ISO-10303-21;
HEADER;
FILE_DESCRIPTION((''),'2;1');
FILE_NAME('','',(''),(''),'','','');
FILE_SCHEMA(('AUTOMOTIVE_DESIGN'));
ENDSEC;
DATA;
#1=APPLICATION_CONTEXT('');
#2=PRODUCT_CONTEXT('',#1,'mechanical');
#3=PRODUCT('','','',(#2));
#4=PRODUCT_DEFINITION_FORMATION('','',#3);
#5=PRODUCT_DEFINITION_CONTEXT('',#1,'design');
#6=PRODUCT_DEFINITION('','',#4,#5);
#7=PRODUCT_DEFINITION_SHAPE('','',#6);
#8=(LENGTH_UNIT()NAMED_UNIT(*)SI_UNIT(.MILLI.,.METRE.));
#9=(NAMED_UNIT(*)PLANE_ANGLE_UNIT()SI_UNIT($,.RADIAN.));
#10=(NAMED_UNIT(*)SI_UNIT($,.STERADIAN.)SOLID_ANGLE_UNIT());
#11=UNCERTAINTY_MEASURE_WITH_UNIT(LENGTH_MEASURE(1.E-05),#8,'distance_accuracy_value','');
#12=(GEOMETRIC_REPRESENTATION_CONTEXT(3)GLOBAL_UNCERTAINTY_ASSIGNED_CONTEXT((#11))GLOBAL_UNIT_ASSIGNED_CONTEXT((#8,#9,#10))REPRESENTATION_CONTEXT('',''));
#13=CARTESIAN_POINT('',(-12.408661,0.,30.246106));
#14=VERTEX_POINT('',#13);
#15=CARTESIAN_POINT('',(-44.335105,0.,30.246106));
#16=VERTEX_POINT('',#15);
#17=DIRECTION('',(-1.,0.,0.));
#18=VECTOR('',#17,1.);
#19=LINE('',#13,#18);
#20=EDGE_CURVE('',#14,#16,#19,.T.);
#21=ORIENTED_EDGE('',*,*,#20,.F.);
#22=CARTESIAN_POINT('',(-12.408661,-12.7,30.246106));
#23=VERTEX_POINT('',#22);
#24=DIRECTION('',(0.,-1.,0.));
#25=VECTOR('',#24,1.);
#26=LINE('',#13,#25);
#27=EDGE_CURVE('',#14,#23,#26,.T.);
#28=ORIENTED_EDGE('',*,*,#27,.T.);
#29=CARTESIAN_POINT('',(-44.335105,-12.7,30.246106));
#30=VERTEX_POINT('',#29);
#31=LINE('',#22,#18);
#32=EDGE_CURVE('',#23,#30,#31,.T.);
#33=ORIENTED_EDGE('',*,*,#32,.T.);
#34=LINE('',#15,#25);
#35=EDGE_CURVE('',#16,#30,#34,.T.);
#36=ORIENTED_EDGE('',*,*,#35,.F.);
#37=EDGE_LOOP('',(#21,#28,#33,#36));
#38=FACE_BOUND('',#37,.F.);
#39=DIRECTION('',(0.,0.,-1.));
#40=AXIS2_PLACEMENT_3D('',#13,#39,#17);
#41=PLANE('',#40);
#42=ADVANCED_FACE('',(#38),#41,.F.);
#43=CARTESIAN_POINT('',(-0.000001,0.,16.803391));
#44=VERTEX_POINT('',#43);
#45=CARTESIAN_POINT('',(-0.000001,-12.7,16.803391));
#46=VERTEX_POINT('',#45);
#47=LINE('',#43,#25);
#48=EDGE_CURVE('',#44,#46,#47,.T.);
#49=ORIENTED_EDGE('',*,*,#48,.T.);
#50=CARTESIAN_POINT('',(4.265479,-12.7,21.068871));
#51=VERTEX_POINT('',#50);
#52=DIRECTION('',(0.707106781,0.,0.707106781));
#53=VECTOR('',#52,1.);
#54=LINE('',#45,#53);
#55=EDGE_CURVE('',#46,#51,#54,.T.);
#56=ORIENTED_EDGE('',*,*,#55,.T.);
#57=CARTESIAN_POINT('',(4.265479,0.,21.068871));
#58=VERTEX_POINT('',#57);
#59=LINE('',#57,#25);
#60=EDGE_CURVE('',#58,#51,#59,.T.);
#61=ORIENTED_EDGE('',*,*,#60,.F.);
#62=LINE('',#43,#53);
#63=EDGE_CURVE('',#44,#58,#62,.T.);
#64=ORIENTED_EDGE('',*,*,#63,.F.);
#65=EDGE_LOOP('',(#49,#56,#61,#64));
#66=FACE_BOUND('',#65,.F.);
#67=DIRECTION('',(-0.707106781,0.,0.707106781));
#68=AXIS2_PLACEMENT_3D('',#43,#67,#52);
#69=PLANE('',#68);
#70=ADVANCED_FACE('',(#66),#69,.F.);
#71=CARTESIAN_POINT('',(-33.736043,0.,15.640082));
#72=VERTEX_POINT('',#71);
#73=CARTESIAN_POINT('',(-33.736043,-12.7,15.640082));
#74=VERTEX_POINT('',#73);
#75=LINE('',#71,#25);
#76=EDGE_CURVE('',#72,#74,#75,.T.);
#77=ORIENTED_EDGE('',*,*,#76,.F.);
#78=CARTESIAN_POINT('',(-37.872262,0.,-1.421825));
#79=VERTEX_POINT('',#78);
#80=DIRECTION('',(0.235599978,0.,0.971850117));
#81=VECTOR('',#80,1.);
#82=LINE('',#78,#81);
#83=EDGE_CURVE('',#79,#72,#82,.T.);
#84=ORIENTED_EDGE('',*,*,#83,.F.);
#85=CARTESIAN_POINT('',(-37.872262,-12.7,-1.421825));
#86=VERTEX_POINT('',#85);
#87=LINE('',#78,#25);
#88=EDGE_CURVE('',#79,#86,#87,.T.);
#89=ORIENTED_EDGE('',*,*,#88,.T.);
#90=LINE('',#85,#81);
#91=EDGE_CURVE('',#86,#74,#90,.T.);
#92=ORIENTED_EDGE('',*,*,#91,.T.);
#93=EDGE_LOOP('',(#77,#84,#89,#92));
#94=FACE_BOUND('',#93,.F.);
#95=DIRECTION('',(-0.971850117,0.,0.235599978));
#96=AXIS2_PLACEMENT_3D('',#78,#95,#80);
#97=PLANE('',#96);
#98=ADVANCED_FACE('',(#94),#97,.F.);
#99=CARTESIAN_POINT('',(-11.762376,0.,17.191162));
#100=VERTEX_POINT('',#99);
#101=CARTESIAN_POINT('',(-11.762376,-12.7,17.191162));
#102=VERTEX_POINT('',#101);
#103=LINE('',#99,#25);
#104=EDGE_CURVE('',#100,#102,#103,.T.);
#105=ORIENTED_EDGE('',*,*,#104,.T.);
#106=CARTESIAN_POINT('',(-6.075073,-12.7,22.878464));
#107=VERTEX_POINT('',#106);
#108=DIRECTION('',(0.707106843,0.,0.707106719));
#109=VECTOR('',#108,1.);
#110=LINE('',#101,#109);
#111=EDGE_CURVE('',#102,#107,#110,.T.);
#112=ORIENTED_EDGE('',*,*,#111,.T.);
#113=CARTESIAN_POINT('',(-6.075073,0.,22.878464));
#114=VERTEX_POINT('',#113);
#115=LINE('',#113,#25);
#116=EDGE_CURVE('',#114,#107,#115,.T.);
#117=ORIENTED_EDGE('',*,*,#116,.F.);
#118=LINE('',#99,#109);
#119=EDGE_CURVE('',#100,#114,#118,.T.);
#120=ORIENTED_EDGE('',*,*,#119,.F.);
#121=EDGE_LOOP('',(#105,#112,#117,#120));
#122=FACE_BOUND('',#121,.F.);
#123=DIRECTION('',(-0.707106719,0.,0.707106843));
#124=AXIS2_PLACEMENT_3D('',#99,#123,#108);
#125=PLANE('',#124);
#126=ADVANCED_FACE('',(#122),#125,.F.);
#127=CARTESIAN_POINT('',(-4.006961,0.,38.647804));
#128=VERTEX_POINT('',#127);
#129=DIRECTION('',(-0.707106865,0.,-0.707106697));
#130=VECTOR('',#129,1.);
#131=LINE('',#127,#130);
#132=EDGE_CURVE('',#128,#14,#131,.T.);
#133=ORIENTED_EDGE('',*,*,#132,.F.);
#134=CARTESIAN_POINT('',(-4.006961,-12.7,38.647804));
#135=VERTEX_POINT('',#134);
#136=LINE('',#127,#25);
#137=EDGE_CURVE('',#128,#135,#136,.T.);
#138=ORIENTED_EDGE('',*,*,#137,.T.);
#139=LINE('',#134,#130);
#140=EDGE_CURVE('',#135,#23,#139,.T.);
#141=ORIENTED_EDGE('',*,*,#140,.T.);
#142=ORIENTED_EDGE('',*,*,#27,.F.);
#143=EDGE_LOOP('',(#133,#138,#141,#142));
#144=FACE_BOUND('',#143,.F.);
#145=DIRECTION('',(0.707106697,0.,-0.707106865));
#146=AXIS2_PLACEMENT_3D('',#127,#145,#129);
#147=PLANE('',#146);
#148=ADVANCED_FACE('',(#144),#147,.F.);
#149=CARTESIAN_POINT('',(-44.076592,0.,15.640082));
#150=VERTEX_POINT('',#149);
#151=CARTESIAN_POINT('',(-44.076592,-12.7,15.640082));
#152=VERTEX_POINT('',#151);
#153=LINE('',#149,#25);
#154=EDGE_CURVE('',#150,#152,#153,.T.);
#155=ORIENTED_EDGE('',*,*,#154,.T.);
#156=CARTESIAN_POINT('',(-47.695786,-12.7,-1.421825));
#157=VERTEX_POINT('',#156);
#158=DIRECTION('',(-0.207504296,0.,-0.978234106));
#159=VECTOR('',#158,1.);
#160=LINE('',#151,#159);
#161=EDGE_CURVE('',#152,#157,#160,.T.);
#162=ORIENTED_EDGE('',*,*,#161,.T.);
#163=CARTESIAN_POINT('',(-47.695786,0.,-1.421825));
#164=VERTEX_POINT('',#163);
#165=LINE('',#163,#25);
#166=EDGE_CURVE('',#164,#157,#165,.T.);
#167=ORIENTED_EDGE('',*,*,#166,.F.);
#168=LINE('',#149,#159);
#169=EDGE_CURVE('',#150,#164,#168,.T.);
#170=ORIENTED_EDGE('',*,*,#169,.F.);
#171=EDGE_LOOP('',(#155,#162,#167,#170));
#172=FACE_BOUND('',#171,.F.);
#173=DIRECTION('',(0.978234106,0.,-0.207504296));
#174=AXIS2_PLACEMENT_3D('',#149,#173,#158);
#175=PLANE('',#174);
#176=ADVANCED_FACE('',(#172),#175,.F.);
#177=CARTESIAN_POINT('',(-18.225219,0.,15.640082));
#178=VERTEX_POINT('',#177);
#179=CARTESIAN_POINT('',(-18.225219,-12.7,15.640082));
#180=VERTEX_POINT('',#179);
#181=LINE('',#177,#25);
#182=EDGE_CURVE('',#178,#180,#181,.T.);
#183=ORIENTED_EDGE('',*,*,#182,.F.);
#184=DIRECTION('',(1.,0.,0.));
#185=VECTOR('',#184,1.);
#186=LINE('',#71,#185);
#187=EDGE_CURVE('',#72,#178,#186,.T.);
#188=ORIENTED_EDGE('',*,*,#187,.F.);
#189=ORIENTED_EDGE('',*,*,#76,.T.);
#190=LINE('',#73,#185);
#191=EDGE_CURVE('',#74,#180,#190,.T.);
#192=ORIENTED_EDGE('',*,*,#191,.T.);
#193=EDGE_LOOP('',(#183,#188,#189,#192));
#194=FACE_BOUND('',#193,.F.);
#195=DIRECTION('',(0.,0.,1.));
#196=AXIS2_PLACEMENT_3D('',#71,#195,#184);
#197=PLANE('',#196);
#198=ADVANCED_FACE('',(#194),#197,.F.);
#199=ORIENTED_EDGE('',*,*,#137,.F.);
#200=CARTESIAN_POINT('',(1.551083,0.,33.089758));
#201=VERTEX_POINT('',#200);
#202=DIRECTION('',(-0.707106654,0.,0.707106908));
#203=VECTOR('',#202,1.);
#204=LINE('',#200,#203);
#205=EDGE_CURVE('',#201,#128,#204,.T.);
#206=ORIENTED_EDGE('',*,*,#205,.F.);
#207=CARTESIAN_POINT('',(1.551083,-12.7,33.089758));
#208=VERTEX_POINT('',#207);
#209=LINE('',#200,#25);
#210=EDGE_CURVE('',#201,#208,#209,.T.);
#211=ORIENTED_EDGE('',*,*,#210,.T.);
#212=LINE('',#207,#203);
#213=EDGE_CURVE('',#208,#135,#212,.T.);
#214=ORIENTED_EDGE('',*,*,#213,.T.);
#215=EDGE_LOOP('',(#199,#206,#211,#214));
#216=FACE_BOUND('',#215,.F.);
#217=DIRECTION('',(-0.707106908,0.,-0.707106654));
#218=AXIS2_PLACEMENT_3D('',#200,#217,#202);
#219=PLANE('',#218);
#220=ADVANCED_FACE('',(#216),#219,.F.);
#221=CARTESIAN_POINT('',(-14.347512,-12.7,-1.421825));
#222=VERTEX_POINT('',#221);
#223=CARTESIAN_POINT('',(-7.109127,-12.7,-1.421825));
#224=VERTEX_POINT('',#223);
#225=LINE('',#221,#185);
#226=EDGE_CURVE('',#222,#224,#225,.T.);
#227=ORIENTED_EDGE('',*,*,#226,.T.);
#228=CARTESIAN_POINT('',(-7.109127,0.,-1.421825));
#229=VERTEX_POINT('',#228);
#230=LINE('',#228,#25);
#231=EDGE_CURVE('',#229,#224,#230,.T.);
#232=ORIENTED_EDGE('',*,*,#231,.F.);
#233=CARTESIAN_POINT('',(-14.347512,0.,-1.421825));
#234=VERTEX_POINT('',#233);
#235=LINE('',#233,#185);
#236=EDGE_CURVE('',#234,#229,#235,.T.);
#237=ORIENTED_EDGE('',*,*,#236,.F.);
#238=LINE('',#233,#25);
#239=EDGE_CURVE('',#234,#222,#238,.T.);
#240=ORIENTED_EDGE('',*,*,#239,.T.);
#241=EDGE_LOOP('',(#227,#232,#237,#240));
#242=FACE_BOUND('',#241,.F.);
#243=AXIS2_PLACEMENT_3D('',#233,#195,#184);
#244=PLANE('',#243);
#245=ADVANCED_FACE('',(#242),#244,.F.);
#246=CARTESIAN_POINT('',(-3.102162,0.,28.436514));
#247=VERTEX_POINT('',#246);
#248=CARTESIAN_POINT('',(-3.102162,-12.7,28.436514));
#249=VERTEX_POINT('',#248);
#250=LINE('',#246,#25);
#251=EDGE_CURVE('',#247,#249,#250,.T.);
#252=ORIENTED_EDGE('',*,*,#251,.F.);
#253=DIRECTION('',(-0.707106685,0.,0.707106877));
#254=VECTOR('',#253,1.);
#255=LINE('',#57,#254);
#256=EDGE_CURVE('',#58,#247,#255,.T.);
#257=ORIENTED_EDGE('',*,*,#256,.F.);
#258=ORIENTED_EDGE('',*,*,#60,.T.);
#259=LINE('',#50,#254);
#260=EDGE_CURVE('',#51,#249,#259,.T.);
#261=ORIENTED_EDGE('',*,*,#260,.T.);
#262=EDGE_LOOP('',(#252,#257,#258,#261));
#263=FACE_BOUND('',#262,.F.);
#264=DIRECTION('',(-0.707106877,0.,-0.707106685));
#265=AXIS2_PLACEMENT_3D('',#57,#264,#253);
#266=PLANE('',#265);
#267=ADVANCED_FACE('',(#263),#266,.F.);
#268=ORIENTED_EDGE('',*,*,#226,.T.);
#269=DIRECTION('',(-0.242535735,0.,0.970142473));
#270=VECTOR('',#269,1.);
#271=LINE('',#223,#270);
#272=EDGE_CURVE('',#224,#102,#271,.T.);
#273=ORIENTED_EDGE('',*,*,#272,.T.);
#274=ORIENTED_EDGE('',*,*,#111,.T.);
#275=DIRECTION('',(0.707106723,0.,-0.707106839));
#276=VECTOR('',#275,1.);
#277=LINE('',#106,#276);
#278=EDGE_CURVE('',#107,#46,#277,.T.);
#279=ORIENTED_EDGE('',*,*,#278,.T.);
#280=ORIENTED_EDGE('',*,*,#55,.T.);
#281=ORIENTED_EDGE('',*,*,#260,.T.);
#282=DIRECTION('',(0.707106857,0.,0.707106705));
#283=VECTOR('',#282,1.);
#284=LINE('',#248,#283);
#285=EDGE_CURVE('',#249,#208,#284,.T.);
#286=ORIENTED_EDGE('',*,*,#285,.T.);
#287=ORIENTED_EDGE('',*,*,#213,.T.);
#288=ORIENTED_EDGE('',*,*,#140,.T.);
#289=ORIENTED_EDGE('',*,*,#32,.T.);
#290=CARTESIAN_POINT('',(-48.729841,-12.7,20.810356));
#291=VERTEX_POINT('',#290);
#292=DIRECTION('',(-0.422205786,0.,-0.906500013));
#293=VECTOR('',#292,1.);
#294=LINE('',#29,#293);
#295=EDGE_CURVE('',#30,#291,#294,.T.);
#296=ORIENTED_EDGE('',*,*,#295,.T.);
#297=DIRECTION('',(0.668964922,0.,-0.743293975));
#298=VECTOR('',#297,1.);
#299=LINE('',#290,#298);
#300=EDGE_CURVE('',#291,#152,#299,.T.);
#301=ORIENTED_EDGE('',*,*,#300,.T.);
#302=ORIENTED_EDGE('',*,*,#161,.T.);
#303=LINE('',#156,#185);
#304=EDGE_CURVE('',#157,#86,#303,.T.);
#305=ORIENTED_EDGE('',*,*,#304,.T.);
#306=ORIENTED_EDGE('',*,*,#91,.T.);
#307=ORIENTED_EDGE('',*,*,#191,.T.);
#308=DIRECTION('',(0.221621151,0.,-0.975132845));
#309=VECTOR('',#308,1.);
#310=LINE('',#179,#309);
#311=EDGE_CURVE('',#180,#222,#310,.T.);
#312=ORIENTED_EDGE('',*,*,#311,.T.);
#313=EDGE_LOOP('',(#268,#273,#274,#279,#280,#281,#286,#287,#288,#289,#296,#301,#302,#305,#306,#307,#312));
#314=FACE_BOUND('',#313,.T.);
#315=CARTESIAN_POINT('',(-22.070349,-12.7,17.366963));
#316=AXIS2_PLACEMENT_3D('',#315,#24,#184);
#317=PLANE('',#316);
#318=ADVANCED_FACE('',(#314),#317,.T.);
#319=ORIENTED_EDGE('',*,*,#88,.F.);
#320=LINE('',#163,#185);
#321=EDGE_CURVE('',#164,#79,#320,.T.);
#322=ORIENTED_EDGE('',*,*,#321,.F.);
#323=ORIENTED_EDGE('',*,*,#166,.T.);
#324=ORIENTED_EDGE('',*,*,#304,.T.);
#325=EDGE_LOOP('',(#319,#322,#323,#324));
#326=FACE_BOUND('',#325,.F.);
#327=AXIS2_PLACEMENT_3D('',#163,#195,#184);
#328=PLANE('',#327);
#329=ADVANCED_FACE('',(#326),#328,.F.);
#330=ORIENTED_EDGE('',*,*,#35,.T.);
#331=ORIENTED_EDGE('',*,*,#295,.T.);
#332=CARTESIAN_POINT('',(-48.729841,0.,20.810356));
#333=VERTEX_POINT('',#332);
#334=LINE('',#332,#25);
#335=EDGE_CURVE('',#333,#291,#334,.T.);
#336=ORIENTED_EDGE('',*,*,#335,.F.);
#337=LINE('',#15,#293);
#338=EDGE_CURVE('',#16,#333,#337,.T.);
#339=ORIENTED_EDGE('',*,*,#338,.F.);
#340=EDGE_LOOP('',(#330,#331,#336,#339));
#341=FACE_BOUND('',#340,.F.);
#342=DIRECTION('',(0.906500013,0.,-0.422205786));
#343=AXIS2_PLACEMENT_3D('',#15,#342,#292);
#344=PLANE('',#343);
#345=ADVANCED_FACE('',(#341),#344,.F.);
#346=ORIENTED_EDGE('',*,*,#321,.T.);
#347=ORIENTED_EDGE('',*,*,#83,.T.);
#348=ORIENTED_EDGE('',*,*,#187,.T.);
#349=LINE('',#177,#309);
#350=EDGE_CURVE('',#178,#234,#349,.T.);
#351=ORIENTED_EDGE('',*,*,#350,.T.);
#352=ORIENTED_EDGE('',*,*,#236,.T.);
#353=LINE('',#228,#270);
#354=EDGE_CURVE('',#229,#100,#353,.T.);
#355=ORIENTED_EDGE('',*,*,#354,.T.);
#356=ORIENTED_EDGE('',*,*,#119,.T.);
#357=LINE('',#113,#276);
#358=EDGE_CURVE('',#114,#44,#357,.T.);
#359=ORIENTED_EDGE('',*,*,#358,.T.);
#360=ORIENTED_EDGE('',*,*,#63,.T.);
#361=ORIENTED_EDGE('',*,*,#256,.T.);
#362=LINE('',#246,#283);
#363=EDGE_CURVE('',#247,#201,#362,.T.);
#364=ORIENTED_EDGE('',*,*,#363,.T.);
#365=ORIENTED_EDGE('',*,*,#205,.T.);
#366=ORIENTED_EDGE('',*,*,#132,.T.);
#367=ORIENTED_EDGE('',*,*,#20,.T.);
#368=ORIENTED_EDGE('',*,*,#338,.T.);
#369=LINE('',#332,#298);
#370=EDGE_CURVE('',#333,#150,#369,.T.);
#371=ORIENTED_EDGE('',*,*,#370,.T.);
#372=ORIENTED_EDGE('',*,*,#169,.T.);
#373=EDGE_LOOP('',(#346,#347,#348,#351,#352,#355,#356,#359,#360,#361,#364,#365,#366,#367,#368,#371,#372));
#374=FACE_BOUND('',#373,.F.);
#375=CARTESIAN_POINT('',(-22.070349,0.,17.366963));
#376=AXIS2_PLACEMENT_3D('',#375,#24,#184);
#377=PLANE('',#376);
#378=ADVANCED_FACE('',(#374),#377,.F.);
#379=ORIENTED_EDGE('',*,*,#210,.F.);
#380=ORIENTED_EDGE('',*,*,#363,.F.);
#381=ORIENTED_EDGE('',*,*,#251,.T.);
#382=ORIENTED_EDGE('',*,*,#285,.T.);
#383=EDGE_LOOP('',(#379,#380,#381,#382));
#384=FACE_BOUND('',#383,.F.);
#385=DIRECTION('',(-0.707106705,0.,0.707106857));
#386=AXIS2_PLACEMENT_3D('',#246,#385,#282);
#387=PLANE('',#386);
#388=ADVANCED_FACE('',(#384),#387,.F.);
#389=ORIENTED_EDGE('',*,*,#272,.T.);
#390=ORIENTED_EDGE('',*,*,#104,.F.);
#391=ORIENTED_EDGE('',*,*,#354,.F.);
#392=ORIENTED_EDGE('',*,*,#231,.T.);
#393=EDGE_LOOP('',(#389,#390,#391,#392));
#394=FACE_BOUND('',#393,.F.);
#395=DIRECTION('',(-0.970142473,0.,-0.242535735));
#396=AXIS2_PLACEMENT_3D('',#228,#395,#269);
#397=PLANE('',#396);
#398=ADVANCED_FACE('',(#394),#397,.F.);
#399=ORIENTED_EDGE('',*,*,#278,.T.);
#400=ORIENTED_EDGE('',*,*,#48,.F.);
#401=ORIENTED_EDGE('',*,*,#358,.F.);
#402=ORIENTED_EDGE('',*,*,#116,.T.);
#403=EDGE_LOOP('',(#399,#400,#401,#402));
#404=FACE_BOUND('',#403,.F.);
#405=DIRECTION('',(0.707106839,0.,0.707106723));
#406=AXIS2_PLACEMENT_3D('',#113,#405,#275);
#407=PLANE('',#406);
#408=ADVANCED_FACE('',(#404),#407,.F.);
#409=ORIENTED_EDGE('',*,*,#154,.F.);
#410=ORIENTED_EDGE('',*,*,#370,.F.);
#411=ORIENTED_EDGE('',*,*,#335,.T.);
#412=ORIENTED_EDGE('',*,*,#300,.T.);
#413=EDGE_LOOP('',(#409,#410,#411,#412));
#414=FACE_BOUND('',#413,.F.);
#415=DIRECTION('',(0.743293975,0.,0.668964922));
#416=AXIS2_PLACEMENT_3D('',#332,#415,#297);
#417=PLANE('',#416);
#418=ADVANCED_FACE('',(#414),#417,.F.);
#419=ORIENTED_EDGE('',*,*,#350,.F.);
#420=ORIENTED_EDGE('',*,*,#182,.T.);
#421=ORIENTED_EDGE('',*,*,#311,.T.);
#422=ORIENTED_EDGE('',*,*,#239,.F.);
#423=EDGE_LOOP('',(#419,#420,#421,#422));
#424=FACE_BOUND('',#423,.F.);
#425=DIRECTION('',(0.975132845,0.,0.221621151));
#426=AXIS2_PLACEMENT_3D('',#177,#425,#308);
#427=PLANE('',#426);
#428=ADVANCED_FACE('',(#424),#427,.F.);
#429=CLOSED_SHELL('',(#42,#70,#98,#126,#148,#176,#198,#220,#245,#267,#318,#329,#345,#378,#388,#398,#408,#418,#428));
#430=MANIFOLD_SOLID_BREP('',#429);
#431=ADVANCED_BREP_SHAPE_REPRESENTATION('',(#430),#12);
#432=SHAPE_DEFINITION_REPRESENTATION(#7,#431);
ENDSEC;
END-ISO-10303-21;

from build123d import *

# Parameters (mm, degrees)
F1_DEPTH = 12.7


with BuildPart() as f1:
    # F0 (on Front) → F1 (new body)
    with BuildSketch(Plane.XZ):
        Polygon((-44.076592, 15.640082), (-47.695786, -1.421825), (-37.872262, -1.421825), (-33.736043, 15.640082), (-18.225219, 15.640082), (-14.347512, -1.421825), (-7.109127, -1.421825), (-11.762376, 17.191162), (-6.075073, 22.878464), (-1e-06, 16.803391), (4.265479, 21.068871), (-3.102162, 28.436514), (1.551083, 33.089758), (-4.006961, 38.647804), (-12.408661, 30.246106), (-44.335105, 30.246106), (-48.729841, 20.810356), align=None)
    extrude(amount=F1_DEPTH)


solid = f1.part
